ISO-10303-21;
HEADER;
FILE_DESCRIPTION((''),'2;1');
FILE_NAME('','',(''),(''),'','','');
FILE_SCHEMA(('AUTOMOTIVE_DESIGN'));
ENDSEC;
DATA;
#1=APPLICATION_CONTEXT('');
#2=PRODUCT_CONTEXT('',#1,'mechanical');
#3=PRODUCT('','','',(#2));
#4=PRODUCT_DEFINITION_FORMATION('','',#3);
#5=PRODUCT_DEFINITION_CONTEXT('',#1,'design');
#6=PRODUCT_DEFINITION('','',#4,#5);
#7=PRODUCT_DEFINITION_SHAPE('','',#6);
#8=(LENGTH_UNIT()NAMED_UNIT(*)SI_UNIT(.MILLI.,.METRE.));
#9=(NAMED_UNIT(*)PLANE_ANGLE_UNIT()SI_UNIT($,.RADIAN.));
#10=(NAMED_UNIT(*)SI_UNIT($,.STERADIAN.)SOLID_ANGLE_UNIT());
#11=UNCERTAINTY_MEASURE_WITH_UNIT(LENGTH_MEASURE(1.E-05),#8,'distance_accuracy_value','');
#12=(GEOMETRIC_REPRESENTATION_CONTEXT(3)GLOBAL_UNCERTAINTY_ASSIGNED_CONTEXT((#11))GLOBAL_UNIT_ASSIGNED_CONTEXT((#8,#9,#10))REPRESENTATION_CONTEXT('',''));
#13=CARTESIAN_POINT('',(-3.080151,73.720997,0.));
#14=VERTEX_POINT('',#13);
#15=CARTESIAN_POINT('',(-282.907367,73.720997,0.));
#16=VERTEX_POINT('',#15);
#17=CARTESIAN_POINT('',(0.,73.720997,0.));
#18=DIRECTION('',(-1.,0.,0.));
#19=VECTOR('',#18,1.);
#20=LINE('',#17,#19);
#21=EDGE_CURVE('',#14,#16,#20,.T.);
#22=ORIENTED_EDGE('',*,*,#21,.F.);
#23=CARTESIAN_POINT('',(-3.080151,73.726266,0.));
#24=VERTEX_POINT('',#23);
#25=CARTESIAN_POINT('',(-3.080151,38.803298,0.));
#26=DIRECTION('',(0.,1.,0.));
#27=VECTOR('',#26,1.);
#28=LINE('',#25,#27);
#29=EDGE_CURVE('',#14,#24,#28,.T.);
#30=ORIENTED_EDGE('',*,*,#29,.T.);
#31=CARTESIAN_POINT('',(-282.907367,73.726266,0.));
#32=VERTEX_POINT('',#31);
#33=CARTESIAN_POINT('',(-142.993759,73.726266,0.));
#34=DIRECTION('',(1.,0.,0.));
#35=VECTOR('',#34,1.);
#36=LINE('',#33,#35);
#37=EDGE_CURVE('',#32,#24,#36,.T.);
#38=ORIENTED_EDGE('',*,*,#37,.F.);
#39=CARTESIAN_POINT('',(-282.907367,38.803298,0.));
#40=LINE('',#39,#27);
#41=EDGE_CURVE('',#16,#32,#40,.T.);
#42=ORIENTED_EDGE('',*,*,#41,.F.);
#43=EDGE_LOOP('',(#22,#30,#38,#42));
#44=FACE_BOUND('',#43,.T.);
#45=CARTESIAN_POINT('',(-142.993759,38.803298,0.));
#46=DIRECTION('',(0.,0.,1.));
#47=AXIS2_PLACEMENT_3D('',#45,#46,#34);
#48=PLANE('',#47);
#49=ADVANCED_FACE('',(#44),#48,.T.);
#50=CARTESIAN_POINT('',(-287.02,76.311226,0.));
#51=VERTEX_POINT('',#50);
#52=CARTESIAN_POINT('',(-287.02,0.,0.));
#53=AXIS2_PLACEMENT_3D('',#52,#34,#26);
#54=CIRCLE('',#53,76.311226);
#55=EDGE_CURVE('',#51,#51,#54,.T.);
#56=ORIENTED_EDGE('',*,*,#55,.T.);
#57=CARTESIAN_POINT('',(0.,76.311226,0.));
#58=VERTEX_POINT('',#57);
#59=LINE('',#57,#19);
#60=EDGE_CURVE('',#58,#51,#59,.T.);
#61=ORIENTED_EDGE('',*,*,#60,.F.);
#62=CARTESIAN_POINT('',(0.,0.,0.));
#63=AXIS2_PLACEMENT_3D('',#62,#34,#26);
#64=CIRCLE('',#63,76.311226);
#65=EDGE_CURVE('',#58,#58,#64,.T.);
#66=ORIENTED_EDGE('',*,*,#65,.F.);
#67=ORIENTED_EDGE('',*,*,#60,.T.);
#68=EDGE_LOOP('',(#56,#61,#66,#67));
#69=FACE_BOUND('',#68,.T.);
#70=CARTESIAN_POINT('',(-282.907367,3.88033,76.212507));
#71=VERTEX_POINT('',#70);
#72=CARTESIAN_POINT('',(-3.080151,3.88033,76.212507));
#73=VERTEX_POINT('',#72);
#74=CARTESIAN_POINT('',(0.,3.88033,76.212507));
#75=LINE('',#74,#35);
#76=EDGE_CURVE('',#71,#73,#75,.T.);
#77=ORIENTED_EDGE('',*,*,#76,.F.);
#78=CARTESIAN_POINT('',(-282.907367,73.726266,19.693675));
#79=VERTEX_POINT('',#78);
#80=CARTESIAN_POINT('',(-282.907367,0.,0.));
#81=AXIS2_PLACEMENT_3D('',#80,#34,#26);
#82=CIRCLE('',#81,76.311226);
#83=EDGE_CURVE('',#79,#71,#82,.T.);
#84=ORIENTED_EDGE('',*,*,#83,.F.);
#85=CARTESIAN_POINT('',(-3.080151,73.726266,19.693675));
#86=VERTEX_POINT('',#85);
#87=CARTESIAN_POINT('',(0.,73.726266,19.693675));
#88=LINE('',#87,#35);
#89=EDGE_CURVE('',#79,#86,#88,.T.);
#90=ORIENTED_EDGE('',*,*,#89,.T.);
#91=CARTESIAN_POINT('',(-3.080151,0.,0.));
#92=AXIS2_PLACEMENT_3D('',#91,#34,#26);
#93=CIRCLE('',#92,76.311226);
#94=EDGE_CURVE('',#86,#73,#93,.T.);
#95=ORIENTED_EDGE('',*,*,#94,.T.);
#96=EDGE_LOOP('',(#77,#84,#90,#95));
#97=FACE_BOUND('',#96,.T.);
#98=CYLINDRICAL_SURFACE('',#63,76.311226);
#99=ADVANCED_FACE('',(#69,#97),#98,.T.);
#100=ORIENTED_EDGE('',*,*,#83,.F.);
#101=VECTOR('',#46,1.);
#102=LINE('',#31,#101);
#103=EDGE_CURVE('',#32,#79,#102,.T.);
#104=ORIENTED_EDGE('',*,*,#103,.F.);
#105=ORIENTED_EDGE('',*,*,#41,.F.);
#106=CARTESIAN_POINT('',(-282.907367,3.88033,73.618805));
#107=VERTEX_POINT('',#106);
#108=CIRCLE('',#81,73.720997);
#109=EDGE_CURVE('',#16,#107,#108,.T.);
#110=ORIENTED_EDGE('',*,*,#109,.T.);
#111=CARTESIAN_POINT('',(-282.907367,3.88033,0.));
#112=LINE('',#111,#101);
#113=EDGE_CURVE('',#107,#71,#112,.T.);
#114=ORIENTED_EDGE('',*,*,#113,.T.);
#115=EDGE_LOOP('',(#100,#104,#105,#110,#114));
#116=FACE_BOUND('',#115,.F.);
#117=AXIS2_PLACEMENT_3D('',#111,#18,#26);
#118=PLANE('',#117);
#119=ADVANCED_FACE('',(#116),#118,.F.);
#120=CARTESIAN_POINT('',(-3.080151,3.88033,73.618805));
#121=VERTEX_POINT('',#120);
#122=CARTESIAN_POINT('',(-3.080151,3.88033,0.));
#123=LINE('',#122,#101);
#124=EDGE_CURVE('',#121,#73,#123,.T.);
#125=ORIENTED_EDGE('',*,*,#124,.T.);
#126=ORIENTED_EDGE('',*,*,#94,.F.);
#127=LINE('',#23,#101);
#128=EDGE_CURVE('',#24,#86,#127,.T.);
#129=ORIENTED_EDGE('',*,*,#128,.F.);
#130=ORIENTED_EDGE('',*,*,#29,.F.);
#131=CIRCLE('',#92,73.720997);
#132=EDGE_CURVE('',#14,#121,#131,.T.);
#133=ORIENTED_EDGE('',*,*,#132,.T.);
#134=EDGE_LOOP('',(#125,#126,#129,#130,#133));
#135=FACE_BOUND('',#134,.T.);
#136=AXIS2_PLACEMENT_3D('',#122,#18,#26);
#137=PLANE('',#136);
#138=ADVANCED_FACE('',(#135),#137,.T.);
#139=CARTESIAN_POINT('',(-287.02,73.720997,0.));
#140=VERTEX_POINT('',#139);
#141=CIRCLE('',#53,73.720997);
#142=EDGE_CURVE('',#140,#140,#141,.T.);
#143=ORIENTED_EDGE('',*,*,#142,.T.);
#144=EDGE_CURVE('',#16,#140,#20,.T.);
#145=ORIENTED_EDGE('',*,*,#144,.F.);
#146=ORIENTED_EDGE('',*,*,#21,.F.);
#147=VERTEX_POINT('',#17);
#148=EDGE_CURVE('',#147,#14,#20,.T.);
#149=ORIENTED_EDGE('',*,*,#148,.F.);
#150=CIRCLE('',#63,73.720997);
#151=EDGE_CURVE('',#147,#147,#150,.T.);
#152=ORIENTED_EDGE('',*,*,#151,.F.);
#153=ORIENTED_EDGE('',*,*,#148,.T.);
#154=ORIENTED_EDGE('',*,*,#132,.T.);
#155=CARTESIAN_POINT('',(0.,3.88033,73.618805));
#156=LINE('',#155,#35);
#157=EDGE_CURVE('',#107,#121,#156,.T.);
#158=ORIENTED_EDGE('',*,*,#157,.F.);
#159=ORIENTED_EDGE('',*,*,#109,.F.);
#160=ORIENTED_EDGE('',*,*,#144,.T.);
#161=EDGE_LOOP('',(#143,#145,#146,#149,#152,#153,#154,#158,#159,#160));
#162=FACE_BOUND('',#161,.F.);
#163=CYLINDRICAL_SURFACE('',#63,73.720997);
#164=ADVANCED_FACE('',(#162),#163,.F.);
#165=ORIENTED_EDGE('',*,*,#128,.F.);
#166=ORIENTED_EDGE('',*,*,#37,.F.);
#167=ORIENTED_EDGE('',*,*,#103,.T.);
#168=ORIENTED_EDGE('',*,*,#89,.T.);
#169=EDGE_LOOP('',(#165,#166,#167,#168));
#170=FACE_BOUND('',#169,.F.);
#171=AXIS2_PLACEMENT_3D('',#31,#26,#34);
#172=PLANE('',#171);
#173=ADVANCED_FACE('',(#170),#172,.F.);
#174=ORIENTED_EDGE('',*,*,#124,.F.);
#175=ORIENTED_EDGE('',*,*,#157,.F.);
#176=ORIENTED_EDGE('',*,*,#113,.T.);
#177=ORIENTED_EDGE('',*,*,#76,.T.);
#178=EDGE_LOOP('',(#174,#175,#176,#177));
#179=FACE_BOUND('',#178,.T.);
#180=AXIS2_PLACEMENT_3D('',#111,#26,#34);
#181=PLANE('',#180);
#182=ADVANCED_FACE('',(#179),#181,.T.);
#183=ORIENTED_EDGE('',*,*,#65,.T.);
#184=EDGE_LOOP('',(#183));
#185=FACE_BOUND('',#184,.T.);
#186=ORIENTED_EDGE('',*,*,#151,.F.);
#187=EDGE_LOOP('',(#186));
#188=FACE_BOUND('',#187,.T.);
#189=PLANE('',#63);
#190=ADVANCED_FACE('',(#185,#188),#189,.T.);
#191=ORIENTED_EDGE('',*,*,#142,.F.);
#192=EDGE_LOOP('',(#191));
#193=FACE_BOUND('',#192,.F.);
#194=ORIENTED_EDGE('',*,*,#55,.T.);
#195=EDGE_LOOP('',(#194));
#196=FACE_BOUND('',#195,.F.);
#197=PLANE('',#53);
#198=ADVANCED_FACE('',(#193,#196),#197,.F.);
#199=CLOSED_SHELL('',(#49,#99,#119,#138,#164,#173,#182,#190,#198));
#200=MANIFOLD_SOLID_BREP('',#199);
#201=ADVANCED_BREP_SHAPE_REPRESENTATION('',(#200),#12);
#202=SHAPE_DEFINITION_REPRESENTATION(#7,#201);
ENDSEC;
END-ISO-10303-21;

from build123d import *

# Parameters (mm, degrees)
F0_R     = 76.311226
F1_DEPTH = 287.02
F2_R     = 73.720997
F3_DEPTH = 1714.5
F4_W     = 279.827215
F4_H     = 69.845937
F5_DEPTH = 122.428


with BuildPart() as f1:
    # F0 (on Right) → F1 (new body)
    with BuildSketch(Plane.YZ):
        Circle(F0_R)
    extrude(amount=-F1_DEPTH)

    # F2 (on Right) → F3 (cut)
    with BuildSketch(Plane.YZ):
        Circle(F2_R)
    extrude(amount=-F3_DEPTH, mode=Mode.SUBTRACT)

    # F4 (on Top) → F5 (cut)
    with BuildSketch(Plane.XY):
        with Locations((-142.993759, 38.803298)):
            Rectangle(F4_W, F4_H)
    extrude(amount=F5_DEPTH, mode=Mode.SUBTRACT)


solid = f1.part
